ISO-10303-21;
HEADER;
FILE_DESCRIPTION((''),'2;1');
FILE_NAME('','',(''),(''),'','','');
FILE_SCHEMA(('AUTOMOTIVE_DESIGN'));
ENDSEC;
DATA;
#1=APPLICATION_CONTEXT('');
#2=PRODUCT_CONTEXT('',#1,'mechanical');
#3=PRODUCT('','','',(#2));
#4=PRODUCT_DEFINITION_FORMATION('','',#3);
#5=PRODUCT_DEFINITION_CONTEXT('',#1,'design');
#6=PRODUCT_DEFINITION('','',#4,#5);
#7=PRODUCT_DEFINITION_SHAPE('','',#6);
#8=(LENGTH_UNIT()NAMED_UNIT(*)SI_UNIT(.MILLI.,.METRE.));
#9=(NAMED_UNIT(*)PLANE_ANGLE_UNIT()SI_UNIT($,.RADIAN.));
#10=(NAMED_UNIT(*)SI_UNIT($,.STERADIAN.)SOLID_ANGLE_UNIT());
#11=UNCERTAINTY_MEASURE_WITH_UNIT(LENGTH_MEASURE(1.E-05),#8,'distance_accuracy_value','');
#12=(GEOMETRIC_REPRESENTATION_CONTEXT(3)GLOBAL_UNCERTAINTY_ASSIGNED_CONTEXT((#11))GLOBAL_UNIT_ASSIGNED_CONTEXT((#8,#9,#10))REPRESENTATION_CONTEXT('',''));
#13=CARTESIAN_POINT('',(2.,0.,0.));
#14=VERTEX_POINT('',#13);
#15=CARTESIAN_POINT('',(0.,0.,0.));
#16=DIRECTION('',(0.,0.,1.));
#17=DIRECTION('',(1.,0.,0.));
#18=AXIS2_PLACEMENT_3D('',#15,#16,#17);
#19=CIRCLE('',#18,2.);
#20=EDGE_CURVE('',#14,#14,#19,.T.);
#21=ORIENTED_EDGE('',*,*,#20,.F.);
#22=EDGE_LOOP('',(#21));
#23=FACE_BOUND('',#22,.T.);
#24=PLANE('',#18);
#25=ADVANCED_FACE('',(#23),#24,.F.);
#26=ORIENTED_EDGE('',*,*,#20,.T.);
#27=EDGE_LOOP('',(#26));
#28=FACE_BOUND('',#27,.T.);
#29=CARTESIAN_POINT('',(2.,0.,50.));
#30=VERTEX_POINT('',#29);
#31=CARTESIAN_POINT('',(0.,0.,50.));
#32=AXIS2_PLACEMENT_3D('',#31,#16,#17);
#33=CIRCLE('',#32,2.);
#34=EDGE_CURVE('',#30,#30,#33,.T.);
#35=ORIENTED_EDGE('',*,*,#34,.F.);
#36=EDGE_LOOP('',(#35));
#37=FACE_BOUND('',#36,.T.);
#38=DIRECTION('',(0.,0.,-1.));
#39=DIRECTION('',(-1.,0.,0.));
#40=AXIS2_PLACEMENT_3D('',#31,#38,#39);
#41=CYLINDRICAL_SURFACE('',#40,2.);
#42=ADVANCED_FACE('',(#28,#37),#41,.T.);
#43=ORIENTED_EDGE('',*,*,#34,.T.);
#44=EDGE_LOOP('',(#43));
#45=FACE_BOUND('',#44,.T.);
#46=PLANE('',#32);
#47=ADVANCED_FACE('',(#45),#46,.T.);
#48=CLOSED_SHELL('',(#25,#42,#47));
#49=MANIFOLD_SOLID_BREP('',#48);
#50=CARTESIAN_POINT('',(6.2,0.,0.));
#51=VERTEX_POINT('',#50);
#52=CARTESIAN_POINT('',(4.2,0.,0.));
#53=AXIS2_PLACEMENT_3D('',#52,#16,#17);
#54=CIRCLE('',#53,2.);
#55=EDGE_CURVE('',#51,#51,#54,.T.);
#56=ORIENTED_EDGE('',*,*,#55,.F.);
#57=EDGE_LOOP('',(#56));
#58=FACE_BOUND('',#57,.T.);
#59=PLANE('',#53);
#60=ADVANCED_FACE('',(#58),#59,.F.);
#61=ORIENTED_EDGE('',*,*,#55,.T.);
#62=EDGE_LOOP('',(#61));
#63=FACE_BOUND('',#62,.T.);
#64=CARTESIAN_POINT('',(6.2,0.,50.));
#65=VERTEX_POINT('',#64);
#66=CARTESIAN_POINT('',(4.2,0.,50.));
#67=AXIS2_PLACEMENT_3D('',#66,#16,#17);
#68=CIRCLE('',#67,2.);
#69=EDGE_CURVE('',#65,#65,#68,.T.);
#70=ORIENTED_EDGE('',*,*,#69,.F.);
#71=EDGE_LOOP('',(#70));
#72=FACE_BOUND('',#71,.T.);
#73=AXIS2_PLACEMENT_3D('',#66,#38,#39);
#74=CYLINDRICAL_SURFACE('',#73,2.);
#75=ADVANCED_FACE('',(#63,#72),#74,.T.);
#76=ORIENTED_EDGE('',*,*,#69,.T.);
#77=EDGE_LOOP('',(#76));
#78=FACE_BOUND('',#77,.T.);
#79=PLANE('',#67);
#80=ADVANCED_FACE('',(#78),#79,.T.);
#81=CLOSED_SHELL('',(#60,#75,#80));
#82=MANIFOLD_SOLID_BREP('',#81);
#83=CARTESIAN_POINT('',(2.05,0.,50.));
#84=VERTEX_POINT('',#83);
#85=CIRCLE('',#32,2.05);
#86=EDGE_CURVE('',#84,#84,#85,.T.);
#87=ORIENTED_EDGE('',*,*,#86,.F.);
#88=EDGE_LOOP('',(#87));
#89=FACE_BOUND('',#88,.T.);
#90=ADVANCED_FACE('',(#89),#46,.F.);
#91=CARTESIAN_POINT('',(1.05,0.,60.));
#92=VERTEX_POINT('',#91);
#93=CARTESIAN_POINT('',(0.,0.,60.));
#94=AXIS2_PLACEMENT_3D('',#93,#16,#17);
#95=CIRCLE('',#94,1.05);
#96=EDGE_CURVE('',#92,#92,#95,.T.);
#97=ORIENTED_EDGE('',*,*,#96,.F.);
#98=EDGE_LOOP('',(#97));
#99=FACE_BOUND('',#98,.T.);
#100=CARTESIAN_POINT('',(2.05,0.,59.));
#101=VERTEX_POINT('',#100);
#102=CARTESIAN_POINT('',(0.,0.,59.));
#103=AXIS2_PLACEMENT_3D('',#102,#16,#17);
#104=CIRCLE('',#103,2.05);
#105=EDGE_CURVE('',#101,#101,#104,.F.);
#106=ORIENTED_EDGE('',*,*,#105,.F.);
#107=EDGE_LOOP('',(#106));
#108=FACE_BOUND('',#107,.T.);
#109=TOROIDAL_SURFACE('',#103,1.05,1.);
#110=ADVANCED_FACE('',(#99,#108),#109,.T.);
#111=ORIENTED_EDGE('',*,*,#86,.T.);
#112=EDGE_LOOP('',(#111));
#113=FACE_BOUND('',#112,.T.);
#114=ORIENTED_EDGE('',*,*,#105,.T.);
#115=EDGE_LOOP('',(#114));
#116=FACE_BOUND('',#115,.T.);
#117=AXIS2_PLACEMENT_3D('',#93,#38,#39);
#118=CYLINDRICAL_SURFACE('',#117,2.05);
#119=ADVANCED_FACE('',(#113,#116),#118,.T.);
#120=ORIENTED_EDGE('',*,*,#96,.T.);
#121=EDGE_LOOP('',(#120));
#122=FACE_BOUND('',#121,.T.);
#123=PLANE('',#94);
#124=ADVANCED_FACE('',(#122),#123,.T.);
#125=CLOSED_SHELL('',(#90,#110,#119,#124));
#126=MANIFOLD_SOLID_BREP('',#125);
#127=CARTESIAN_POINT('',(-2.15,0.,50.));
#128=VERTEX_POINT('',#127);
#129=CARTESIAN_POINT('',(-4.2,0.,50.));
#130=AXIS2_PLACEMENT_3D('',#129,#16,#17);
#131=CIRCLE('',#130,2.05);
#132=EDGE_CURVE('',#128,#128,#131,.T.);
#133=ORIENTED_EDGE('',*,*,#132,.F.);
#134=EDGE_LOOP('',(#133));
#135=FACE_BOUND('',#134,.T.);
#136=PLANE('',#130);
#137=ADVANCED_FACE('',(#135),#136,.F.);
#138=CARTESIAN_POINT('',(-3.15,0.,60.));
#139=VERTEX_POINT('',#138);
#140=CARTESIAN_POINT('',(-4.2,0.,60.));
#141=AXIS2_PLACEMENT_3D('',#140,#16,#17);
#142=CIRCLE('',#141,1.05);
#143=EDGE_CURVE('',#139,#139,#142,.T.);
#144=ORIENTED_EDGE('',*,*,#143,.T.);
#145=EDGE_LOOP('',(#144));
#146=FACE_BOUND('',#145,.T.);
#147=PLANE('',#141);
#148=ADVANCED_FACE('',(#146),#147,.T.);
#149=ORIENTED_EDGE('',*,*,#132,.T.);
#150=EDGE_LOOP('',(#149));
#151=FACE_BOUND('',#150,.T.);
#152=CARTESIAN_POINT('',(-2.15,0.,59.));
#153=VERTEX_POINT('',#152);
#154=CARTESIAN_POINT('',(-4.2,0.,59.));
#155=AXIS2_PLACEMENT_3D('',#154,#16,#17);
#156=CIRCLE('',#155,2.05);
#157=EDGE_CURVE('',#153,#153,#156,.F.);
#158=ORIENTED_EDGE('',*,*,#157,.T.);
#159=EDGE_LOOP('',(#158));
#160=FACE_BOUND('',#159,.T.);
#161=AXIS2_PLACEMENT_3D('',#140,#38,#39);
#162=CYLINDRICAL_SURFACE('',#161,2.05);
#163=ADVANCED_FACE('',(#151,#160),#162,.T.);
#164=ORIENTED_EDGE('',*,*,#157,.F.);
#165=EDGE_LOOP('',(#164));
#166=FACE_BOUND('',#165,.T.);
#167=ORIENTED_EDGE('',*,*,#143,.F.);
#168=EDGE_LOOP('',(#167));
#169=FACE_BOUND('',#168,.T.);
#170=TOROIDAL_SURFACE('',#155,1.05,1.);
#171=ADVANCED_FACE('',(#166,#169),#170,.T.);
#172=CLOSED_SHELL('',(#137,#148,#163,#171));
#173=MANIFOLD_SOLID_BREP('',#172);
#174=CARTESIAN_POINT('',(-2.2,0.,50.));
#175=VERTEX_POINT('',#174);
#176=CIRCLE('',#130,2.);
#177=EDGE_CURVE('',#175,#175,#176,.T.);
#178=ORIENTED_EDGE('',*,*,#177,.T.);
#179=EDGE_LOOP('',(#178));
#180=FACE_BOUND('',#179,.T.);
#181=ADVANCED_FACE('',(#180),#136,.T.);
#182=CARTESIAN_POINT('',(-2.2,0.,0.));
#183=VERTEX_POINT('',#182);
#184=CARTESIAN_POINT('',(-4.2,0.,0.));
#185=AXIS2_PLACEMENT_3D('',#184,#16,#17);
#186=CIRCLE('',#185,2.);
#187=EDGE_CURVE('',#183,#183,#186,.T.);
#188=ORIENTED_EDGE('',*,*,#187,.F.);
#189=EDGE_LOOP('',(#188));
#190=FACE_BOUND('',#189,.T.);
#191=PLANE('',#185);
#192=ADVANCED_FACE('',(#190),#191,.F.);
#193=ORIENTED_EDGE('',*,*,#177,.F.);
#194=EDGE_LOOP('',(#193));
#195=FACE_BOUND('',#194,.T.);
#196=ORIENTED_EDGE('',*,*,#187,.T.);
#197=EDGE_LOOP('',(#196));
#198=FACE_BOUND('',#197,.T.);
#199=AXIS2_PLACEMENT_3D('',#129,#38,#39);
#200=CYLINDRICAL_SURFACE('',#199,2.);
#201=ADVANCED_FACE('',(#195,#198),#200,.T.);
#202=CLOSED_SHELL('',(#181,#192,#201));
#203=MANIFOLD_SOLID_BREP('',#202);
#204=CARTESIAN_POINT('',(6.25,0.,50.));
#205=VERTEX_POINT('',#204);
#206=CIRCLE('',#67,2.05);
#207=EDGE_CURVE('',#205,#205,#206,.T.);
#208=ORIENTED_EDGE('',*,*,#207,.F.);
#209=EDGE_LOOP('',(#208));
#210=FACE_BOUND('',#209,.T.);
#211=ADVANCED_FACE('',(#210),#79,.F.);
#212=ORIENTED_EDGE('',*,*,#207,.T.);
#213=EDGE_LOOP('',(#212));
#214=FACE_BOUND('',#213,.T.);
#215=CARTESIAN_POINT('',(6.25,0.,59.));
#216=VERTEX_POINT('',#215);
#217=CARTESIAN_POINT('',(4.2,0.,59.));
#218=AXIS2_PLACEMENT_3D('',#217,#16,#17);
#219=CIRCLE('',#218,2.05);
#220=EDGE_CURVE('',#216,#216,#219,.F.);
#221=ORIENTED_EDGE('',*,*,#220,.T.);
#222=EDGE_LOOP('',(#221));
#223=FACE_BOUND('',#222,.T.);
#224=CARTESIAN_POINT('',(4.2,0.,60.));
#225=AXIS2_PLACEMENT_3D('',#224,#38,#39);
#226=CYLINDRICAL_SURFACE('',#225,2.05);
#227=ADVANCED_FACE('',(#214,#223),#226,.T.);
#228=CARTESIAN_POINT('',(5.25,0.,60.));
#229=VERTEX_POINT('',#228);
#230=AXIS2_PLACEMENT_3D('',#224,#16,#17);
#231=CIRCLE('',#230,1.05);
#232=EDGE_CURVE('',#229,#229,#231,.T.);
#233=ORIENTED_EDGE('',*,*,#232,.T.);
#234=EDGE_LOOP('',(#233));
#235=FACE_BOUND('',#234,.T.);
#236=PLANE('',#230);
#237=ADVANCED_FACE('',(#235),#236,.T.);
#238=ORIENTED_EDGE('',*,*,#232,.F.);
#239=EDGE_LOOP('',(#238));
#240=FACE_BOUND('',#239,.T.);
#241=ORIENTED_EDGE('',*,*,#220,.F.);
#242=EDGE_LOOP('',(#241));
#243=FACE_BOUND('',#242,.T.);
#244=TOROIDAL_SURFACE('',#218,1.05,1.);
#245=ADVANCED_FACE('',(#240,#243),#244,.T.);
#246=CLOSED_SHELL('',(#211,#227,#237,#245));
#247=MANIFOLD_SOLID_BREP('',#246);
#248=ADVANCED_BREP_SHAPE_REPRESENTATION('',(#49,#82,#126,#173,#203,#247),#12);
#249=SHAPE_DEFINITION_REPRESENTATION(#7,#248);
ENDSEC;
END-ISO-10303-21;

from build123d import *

# Parameters (mm, degrees)
SKETCH_1_R        = 2
EXTRUDE_1_DEPTH   = 50
EXTRUDE_1_2_DEPTH = 50
EXTRUDE_1_3_DEPTH = 50
SKETCH_2_R        = 2.05
EXTRUDE_2_DEPTH   = 10
EXTRUDE_2_2_DEPTH = 10
EXTRUDE_2_3_DEPTH = 10
FILLET_1_R        = 1
FILLET_2_R        = 1
FILLET_3_R        = 1


with BuildPart() as part:
    # Эскиз1 → Бобышка-Вытянуть1 (new body)
    with BuildSketch(Plane.XY):
        Circle(SKETCH_1_R)
    extrude(amount=EXTRUDE_1_DEPTH)


with BuildPart() as body_2:
    # Эскиз1 → Extrude 1 2 (new body)
    with BuildSketch(Plane.XY):
        with Locations((4.2, 0)):
            Circle(SKETCH_1_R)
    extrude(amount=EXTRUDE_1_2_DEPTH)


with BuildPart() as body_3:
    # Эскиз1 → Extrude 1 3 (new body)
    with BuildSketch(Plane.XY):
        with Locations((-4.2, 0)):
            Circle(SKETCH_1_R)
    extrude(amount=EXTRUDE_1_3_DEPTH)


with BuildPart() as body_4:
    # Эскиз2 → Бобышка-Вытянуть2 (new body)
    with BuildSketch(Plane.XY.offset(50)):
        Circle(SKETCH_2_R)
    extrude(amount=EXTRUDE_2_DEPTH)

    # Скругление2
    fillet_2_edges = [body_4.edges().sort_by_distance(p)[0] for p in [
        (-2.05, 0, 60),
    ]]
    fillet(fillet_2_edges, radius=FILLET_2_R)


with BuildPart() as body_5:
    # Эскиз2 → Extrude 2 2 (new body)
    with BuildSketch(Plane.XY.offset(50)):
        with Locations((4.2, 0)):
            Circle(SKETCH_2_R)
    extrude(amount=EXTRUDE_2_2_DEPTH)

    # Скругление3
    fillet_3_edges = [body_5.edges().sort_by_distance(p)[0] for p in [
        (2.15, 0, 60),
    ]]
    fillet(fillet_3_edges, radius=FILLET_3_R)


with BuildPart() as body_6:
    # Эскиз2 → Extrude 2 3 (new body)
    with BuildSketch(Plane.XY.offset(50)):
        with Locations((-4.2, 0)):
            Circle(SKETCH_2_R)
    extrude(amount=EXTRUDE_2_3_DEPTH)

    # Скругление1
    fillet_1_edges = [body_6.edges().sort_by_distance(p)[0] for p in [
        (-6.25, 0, 60),
    ]]
    fillet(fillet_1_edges, radius=FILLET_1_R)


solid = Compound([part.part, body_2.part, body_3.part, body_4.part, body_5.part, body_6.part])
